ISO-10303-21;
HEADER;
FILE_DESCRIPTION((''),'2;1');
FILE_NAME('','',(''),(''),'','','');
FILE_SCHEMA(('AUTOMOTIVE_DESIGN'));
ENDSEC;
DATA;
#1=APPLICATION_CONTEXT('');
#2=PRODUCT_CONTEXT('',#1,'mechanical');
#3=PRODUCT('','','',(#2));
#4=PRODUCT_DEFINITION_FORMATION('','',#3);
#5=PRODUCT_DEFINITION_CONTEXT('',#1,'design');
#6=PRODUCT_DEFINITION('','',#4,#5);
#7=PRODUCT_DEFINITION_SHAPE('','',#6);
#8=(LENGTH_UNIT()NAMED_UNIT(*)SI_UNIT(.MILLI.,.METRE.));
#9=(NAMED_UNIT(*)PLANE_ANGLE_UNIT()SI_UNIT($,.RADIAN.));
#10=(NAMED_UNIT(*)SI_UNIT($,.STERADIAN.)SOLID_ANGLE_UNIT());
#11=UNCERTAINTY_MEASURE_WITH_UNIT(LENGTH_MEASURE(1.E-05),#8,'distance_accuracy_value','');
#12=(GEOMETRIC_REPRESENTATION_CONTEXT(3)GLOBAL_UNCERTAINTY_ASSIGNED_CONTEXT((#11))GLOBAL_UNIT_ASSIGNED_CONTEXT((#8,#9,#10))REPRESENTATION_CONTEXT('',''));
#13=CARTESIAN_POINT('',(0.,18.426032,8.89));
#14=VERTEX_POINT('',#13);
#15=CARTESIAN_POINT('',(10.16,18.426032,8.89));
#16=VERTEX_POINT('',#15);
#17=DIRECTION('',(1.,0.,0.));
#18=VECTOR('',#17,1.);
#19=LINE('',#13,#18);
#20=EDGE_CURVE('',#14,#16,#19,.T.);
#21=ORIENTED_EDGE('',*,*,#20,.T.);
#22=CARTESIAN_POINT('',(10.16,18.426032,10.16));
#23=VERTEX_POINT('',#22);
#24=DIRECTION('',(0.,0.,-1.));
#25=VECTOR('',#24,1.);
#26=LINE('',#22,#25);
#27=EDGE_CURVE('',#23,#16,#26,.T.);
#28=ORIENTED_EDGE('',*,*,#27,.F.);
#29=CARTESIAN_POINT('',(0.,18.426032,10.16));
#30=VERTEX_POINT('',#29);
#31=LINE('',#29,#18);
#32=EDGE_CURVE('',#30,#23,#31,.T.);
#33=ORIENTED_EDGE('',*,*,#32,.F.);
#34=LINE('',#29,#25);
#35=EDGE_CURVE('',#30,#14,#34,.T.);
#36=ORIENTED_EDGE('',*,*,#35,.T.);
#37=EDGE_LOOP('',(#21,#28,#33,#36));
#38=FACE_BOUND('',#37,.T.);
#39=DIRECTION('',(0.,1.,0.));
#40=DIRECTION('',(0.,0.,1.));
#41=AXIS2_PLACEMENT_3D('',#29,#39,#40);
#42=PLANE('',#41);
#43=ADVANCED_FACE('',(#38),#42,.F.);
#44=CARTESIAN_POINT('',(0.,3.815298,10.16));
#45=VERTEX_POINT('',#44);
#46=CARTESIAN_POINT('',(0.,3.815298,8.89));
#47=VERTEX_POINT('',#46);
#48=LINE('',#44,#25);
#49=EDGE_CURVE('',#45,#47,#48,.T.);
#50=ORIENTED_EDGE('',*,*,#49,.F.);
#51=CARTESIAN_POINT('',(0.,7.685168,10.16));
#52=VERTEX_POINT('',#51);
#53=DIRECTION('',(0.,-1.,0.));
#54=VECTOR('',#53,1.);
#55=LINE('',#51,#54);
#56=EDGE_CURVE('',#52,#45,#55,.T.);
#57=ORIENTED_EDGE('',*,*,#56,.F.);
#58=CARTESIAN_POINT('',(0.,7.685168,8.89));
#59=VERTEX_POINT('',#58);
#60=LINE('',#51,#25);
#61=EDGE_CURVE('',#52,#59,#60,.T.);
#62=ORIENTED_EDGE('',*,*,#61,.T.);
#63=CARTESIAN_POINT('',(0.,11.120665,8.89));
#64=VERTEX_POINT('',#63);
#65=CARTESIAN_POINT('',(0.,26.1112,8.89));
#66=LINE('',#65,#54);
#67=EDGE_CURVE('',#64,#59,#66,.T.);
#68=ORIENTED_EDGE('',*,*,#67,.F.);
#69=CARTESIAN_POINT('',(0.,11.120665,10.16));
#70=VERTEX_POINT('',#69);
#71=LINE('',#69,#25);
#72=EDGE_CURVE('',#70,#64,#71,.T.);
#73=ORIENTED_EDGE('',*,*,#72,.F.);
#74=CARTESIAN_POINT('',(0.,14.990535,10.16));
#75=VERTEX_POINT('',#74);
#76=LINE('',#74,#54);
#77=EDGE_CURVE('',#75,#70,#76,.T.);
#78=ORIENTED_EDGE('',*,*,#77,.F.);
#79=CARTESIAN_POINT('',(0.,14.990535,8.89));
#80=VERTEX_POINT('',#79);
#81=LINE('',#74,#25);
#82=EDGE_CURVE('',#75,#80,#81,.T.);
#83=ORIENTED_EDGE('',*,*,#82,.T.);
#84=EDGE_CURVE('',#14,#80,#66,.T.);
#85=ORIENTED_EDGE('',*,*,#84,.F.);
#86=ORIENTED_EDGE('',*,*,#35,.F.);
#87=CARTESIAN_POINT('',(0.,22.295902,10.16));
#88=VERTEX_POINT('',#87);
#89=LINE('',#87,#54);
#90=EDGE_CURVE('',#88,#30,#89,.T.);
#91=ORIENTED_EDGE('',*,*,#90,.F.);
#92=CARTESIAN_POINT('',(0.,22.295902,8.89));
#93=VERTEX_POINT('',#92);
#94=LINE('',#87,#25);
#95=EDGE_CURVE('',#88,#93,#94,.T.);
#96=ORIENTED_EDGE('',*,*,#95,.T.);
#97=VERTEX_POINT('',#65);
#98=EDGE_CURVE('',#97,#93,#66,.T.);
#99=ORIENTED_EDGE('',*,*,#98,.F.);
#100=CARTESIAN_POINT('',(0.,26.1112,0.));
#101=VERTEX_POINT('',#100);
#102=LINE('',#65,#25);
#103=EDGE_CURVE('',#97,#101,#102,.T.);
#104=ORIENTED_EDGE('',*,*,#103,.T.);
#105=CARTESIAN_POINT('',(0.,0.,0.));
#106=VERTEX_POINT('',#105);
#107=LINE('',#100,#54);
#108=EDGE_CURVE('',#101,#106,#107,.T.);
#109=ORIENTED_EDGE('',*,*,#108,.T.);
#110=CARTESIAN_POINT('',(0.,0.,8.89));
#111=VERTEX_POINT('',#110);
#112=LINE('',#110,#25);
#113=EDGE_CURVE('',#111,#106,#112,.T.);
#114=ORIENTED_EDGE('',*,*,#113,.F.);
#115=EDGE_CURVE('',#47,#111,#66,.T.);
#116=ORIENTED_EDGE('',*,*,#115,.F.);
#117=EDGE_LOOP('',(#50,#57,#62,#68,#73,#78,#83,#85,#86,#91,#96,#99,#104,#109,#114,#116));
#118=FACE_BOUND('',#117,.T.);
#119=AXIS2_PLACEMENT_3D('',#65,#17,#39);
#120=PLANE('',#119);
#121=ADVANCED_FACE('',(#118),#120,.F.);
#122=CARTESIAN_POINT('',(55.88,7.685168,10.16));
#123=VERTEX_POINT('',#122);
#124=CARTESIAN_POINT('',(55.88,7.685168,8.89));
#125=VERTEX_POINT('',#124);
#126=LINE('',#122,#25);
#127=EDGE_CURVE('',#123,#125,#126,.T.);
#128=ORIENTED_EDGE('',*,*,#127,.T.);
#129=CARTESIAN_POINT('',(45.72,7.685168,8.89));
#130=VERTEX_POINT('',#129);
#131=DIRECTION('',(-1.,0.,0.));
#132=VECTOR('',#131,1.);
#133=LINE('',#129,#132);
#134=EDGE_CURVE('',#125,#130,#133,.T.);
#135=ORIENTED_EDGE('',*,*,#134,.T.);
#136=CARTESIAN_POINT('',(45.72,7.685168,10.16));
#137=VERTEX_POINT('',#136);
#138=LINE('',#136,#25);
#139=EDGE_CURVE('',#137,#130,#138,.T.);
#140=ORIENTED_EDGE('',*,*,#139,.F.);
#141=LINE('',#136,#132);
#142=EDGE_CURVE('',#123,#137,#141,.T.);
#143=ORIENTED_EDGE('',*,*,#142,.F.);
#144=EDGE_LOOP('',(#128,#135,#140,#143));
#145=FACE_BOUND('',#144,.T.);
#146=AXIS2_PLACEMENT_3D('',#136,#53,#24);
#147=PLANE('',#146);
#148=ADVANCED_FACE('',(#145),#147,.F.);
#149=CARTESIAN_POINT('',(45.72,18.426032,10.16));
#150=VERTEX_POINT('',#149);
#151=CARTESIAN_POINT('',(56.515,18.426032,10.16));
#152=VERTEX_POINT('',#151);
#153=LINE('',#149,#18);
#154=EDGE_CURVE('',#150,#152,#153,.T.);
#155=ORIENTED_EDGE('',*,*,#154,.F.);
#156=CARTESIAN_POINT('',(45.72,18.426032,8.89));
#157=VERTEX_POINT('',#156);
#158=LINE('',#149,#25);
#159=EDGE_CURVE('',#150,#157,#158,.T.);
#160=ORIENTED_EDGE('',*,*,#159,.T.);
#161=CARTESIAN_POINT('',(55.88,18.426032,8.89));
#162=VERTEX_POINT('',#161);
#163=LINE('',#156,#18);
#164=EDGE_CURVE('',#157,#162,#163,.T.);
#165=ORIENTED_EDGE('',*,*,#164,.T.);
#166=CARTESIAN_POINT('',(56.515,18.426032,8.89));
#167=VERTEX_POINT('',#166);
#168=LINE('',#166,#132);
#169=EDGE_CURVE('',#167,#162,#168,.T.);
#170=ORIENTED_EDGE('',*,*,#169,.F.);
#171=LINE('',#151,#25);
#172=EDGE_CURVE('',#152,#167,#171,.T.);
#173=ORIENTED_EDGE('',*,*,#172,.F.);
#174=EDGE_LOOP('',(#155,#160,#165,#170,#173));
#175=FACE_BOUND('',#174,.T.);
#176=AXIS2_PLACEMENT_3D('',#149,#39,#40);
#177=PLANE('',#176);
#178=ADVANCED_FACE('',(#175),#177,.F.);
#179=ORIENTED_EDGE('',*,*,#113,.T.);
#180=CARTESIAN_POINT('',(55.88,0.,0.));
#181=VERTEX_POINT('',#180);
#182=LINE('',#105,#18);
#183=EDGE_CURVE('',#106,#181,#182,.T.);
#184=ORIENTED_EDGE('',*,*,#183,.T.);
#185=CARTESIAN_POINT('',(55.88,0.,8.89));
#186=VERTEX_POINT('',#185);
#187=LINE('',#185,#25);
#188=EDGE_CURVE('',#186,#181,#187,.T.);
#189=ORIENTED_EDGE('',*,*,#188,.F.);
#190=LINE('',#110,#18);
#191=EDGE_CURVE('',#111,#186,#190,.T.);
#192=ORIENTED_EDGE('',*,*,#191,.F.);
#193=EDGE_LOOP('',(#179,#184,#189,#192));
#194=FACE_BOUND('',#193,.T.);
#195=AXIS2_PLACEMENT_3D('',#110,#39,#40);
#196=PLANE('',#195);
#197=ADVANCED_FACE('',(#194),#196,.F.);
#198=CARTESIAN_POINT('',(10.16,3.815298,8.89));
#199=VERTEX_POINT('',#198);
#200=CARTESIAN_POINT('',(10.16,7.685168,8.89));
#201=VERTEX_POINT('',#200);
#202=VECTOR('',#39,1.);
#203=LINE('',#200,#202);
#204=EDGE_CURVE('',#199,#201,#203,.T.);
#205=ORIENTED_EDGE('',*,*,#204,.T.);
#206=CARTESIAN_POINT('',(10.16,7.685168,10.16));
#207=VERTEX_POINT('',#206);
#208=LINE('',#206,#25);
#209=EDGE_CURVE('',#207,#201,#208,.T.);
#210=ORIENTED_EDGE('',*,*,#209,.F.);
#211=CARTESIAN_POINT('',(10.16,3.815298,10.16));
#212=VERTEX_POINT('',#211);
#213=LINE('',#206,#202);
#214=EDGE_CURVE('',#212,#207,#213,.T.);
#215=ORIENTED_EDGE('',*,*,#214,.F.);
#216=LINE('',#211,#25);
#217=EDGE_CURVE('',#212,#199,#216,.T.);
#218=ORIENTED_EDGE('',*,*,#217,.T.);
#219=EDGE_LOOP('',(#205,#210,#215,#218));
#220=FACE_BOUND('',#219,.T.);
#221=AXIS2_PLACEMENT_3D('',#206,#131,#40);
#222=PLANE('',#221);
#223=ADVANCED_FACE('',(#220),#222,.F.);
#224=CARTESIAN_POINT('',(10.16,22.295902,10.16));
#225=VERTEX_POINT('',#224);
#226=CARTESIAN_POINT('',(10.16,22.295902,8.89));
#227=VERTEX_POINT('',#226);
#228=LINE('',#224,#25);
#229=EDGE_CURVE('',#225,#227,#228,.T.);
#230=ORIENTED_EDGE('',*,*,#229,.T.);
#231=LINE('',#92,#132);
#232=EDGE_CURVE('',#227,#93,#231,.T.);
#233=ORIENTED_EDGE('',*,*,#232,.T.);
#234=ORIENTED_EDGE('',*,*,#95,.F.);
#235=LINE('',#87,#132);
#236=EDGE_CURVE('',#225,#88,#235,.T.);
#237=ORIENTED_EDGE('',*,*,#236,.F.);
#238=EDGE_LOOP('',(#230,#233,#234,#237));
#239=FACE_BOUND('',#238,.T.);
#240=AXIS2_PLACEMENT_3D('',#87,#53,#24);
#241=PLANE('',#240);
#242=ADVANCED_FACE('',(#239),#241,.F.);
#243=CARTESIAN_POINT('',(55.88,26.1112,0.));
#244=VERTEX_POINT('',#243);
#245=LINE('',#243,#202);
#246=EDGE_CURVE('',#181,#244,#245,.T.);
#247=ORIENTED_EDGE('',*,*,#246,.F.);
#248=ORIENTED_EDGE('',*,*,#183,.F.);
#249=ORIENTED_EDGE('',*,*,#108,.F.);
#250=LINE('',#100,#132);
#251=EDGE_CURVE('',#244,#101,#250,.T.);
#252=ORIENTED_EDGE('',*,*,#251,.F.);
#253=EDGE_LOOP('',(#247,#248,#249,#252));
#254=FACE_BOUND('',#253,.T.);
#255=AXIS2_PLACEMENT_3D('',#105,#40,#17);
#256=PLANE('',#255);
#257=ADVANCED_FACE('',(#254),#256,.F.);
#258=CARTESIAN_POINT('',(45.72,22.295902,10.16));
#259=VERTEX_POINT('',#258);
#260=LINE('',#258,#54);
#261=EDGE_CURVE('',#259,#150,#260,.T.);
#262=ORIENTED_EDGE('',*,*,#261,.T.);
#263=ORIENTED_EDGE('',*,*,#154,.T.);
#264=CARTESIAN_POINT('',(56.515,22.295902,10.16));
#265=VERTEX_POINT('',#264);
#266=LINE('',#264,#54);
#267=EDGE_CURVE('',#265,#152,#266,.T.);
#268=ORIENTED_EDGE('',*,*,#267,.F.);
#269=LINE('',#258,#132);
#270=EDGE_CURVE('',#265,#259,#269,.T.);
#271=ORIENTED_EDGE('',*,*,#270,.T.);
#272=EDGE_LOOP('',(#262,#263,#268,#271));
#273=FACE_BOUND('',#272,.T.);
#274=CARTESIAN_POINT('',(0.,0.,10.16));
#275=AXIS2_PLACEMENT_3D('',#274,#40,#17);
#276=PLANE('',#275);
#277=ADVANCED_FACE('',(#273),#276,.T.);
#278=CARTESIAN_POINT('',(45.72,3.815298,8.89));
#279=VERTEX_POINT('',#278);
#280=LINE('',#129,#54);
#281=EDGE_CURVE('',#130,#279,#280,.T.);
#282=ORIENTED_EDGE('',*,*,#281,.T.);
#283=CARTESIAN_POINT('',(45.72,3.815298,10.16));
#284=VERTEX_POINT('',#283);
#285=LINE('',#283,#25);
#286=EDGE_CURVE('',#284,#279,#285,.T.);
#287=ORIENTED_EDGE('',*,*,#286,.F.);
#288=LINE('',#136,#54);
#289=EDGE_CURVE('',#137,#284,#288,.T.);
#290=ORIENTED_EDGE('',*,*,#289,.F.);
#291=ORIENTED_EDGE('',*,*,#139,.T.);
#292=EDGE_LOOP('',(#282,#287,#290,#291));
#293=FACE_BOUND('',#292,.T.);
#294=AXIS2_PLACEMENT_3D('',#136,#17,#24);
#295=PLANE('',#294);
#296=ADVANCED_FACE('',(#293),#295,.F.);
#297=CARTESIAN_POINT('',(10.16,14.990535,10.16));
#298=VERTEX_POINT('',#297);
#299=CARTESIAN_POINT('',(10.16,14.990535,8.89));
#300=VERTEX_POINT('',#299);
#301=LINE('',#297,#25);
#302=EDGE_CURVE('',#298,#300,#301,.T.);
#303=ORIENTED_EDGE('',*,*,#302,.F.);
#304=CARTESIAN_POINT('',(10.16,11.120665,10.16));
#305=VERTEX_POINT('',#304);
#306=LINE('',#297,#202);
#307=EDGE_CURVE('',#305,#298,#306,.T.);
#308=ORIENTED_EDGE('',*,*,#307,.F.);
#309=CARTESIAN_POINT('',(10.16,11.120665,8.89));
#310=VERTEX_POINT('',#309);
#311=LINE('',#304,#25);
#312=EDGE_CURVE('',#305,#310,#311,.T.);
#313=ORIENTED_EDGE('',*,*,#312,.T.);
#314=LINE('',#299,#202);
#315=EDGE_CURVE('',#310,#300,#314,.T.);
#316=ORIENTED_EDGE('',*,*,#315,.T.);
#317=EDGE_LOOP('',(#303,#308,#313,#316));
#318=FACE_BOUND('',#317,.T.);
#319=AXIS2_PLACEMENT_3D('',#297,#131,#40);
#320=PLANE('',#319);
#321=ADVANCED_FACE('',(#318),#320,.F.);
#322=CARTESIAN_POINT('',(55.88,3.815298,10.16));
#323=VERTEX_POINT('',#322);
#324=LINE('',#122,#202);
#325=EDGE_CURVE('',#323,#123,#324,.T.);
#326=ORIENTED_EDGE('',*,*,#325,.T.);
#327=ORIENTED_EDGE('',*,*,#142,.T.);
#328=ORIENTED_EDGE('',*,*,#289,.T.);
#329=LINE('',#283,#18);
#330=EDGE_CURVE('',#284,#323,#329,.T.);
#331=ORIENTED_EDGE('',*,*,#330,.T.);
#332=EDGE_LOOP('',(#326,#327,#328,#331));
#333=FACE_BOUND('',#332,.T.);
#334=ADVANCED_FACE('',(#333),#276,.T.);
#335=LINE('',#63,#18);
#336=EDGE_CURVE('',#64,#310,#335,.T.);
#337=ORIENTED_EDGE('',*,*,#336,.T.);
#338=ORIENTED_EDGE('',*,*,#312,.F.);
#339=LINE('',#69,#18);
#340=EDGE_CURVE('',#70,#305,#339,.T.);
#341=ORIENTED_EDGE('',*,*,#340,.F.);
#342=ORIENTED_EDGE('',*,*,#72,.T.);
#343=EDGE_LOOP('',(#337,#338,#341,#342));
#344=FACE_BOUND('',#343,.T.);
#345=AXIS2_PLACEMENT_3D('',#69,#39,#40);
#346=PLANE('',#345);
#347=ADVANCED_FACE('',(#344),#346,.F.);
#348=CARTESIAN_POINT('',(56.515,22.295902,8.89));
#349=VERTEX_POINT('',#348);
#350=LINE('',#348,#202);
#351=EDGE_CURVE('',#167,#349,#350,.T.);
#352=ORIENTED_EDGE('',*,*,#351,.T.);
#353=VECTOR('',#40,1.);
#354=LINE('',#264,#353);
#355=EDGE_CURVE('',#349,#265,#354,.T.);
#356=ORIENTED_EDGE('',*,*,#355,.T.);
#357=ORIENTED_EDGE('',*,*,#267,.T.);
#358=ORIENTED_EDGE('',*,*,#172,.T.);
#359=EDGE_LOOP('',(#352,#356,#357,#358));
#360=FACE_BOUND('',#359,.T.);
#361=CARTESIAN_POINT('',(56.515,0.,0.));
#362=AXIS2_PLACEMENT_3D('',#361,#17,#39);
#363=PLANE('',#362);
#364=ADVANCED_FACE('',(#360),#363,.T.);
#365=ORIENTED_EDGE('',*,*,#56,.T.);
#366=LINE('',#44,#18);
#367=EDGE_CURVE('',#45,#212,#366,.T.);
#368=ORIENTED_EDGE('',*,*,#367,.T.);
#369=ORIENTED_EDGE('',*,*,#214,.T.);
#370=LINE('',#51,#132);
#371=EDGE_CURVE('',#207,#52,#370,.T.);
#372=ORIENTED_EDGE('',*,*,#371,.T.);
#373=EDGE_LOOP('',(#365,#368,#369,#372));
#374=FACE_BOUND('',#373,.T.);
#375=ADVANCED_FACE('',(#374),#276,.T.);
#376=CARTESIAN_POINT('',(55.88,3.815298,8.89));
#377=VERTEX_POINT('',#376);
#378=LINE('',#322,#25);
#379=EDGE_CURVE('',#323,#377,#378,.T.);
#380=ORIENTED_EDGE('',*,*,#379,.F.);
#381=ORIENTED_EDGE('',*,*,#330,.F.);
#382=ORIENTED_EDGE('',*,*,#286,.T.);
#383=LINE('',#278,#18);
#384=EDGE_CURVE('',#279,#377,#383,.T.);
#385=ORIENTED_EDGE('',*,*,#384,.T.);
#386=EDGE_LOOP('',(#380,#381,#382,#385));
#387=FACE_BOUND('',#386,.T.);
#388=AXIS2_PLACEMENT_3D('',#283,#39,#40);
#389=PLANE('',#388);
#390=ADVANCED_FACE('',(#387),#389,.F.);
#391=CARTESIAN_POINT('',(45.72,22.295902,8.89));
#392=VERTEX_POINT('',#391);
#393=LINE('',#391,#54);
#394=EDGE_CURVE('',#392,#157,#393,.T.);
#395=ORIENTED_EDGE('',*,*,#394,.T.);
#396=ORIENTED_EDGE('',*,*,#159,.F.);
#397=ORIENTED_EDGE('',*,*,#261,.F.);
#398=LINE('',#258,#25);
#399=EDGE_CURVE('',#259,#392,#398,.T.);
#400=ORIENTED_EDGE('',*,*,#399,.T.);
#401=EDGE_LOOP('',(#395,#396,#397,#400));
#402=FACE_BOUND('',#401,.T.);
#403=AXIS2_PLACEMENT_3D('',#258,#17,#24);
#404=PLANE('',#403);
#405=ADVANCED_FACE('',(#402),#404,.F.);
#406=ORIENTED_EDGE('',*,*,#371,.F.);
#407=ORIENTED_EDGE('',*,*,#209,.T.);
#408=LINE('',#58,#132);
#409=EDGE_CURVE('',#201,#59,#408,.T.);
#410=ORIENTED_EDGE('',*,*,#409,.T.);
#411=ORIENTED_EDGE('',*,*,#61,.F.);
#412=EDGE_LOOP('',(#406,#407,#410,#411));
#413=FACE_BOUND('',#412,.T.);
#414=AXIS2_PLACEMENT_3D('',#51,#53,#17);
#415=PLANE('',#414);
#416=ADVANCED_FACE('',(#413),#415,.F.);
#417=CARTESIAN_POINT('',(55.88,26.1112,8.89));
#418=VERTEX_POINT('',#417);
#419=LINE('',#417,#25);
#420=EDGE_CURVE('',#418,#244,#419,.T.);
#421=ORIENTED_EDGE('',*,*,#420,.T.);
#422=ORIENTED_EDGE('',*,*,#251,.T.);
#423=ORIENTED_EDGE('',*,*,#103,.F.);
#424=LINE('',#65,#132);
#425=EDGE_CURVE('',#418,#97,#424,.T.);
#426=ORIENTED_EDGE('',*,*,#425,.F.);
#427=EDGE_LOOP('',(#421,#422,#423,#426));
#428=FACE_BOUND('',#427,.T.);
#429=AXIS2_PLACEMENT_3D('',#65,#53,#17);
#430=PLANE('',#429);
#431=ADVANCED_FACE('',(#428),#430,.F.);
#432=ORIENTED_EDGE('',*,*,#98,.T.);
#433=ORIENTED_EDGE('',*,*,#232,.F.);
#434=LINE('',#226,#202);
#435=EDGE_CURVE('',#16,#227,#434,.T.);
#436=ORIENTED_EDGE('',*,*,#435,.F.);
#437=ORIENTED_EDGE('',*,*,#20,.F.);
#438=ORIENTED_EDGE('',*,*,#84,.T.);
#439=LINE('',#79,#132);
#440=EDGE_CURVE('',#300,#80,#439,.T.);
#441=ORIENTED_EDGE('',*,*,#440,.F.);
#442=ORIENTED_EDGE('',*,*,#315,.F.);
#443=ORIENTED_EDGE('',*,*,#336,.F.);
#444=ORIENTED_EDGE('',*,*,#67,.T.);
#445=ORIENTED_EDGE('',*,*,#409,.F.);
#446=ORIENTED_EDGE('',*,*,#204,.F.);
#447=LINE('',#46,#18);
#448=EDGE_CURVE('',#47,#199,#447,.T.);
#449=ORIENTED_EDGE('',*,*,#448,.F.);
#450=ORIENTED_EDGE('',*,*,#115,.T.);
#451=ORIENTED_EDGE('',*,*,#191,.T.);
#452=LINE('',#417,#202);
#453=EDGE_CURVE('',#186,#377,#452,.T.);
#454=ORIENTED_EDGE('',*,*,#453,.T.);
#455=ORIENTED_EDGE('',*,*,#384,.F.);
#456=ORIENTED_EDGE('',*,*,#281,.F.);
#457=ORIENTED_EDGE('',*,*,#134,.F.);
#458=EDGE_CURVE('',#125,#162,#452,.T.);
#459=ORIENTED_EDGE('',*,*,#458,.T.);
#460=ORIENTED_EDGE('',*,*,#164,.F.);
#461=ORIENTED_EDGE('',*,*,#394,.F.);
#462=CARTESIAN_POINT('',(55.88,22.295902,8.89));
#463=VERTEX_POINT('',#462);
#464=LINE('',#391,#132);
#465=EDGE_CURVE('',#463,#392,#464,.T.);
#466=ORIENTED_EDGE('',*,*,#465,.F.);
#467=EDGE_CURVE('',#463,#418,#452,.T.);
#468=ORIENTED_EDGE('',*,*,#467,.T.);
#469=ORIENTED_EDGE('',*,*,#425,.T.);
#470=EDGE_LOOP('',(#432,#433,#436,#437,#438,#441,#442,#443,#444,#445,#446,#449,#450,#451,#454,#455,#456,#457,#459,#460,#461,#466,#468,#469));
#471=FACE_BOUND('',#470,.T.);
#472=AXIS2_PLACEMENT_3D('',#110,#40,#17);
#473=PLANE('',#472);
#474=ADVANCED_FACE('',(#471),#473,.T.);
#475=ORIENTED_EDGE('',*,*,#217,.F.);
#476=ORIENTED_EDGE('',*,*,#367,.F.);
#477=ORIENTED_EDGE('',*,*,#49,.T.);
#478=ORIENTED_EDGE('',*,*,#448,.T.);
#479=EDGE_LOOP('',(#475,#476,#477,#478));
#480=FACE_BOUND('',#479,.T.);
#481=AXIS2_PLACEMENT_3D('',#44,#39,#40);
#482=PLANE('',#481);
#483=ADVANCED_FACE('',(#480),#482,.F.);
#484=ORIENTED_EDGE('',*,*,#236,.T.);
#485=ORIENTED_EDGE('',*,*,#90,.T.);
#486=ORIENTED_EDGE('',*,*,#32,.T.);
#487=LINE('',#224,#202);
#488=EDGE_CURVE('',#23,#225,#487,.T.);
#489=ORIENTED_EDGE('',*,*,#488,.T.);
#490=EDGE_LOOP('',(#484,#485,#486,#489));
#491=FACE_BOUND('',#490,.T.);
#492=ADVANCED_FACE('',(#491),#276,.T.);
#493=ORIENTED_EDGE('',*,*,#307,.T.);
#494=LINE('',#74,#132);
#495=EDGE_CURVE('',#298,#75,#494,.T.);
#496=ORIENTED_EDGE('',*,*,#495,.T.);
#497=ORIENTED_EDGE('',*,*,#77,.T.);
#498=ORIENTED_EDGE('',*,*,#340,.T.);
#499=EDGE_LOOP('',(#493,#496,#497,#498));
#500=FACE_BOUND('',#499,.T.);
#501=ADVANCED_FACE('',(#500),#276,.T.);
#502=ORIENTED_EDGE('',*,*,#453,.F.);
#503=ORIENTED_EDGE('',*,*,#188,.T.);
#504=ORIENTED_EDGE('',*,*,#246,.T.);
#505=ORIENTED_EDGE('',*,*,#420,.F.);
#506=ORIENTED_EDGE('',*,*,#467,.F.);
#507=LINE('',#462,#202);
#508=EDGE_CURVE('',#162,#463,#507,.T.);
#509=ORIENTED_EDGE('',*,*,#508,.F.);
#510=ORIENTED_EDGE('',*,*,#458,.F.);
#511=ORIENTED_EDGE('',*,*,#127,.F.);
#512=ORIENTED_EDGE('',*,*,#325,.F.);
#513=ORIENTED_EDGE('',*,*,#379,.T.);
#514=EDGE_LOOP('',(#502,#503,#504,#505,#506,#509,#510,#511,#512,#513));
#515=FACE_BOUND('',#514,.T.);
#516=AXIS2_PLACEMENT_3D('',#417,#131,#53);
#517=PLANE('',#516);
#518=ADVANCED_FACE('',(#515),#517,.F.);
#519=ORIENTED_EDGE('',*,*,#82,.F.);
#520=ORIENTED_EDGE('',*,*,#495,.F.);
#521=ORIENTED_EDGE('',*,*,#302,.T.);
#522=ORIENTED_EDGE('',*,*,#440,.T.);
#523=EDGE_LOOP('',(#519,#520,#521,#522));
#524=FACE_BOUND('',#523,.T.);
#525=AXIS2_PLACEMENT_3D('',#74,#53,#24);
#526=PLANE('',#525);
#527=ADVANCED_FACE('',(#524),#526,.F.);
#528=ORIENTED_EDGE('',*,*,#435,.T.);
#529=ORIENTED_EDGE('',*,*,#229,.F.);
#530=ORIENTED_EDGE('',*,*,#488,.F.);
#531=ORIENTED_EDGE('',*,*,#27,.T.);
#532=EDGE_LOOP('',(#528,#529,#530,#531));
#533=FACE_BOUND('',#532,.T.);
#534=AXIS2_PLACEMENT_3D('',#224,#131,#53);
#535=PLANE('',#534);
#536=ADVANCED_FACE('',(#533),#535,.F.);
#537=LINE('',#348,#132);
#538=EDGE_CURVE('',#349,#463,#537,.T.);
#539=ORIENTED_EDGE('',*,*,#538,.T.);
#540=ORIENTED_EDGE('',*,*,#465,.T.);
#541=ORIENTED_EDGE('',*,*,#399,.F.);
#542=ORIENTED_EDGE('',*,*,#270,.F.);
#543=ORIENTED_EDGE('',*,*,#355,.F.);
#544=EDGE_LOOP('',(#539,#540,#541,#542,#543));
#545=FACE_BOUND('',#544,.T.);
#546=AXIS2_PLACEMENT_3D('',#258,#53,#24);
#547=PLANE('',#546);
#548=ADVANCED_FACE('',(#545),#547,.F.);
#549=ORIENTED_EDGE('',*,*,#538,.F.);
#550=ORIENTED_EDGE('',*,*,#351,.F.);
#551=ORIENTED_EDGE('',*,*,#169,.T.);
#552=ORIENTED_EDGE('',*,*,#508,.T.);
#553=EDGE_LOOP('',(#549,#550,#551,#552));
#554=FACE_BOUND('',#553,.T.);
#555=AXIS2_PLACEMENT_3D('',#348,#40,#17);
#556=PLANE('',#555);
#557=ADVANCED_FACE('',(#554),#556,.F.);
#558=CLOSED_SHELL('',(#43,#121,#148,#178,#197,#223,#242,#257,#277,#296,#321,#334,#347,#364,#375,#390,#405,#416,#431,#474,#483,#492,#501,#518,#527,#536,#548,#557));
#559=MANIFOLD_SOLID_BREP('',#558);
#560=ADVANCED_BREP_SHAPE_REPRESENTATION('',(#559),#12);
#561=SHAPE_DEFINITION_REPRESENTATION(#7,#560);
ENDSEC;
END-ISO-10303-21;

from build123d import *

# Parameters (mm, degrees)
SKETCH1_W           = 55.88
SKETCH1_H           = 26.1112
BOSS_EXTRUDE1_DEPTH = 8.89
SKETCH2_W           = 10.16
SKETCH2_H           = 3.869870213
SKETCH2_H_2         = 3.869870212
BOSS_EXTRUDE2_DEPTH = 1.27
SKETCH3_W           = 1.27
SKETCH3_H           = 3.869870213
BOSS_EXTRUDE3_DEPTH = 0.635


with BuildPart() as part:
    # Sketch1 → Boss-Extrude1 (new body)
    with BuildSketch(Plane.XY):
        with Locations((27.94, 13.0556)):
            Rectangle(SKETCH1_W, SKETCH1_H)
    extrude(amount=BOSS_EXTRUDE1_DEPTH)

    # Sketch2 → Boss-Extrude2 (add)
    with BuildSketch(Plane.XY.offset(8.89)):
        with Locations((5.08, 5.750232763)):
            Rectangle(SKETCH2_W, SKETCH2_H)
        with Locations((5.08, 13.0556)):
            Rectangle(SKETCH2_W, SKETCH2_H_2)
        with Locations((5.08, 20.360967237)):
            Rectangle(SKETCH2_W, SKETCH2_H)
        with Locations((50.8, 5.750232763)):
            Rectangle(SKETCH2_W, SKETCH2_H)
        with Locations((50.8, 20.360967237)):
            Rectangle(SKETCH2_W, SKETCH2_H)
    extrude(amount=BOSS_EXTRUDE2_DEPTH)

    # Sketch3 → Boss-Extrude3 (add)
    with BuildSketch(Plane(origin=(55.88, 0, 0), x_dir=(0, 0, -1), z_dir=(1, 0, 0))):
        with Locations((-9.525, 20.360967237)):
            Rectangle(SKETCH3_W, SKETCH3_H)
    extrude(amount=BOSS_EXTRUDE3_DEPTH)


solid = part.part
